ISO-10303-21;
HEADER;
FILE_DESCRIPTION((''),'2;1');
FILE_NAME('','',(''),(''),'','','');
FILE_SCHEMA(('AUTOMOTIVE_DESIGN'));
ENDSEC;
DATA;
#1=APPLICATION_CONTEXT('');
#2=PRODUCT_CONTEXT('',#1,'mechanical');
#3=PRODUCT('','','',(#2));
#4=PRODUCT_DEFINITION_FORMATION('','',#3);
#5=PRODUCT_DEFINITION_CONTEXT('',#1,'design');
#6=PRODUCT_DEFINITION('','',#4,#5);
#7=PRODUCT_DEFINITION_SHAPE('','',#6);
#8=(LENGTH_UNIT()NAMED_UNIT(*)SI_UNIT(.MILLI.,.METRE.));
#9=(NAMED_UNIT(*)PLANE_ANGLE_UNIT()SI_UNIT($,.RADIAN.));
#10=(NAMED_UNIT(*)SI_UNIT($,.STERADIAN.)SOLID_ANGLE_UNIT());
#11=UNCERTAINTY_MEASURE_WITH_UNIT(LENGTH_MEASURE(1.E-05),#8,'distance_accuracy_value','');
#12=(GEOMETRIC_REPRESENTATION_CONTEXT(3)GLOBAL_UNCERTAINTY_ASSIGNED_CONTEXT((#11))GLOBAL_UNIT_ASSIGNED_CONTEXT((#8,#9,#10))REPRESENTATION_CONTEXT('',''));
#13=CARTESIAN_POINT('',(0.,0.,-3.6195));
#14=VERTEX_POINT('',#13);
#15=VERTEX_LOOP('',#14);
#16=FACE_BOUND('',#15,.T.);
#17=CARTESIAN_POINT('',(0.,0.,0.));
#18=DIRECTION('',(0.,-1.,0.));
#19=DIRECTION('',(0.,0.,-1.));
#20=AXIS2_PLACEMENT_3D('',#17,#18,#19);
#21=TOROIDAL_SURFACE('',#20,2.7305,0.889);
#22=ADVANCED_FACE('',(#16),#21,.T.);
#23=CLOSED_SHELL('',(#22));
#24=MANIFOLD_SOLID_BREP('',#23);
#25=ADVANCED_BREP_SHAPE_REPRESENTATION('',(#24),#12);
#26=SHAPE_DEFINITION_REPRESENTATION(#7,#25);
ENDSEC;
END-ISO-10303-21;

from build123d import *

# Parameters (mm, degrees)
SKETCH2_R = 0.889


with BuildPart() as part:
    # Sketch2 → Revolve1 (revolve)
    with BuildSketch(Plane.XY):
        with Locations((-2.7305, 0)):
            Circle(SKETCH2_R)
    revolve(axis=Axis((0, 0, 0), (0, 1, 0)))


solid = part.part
